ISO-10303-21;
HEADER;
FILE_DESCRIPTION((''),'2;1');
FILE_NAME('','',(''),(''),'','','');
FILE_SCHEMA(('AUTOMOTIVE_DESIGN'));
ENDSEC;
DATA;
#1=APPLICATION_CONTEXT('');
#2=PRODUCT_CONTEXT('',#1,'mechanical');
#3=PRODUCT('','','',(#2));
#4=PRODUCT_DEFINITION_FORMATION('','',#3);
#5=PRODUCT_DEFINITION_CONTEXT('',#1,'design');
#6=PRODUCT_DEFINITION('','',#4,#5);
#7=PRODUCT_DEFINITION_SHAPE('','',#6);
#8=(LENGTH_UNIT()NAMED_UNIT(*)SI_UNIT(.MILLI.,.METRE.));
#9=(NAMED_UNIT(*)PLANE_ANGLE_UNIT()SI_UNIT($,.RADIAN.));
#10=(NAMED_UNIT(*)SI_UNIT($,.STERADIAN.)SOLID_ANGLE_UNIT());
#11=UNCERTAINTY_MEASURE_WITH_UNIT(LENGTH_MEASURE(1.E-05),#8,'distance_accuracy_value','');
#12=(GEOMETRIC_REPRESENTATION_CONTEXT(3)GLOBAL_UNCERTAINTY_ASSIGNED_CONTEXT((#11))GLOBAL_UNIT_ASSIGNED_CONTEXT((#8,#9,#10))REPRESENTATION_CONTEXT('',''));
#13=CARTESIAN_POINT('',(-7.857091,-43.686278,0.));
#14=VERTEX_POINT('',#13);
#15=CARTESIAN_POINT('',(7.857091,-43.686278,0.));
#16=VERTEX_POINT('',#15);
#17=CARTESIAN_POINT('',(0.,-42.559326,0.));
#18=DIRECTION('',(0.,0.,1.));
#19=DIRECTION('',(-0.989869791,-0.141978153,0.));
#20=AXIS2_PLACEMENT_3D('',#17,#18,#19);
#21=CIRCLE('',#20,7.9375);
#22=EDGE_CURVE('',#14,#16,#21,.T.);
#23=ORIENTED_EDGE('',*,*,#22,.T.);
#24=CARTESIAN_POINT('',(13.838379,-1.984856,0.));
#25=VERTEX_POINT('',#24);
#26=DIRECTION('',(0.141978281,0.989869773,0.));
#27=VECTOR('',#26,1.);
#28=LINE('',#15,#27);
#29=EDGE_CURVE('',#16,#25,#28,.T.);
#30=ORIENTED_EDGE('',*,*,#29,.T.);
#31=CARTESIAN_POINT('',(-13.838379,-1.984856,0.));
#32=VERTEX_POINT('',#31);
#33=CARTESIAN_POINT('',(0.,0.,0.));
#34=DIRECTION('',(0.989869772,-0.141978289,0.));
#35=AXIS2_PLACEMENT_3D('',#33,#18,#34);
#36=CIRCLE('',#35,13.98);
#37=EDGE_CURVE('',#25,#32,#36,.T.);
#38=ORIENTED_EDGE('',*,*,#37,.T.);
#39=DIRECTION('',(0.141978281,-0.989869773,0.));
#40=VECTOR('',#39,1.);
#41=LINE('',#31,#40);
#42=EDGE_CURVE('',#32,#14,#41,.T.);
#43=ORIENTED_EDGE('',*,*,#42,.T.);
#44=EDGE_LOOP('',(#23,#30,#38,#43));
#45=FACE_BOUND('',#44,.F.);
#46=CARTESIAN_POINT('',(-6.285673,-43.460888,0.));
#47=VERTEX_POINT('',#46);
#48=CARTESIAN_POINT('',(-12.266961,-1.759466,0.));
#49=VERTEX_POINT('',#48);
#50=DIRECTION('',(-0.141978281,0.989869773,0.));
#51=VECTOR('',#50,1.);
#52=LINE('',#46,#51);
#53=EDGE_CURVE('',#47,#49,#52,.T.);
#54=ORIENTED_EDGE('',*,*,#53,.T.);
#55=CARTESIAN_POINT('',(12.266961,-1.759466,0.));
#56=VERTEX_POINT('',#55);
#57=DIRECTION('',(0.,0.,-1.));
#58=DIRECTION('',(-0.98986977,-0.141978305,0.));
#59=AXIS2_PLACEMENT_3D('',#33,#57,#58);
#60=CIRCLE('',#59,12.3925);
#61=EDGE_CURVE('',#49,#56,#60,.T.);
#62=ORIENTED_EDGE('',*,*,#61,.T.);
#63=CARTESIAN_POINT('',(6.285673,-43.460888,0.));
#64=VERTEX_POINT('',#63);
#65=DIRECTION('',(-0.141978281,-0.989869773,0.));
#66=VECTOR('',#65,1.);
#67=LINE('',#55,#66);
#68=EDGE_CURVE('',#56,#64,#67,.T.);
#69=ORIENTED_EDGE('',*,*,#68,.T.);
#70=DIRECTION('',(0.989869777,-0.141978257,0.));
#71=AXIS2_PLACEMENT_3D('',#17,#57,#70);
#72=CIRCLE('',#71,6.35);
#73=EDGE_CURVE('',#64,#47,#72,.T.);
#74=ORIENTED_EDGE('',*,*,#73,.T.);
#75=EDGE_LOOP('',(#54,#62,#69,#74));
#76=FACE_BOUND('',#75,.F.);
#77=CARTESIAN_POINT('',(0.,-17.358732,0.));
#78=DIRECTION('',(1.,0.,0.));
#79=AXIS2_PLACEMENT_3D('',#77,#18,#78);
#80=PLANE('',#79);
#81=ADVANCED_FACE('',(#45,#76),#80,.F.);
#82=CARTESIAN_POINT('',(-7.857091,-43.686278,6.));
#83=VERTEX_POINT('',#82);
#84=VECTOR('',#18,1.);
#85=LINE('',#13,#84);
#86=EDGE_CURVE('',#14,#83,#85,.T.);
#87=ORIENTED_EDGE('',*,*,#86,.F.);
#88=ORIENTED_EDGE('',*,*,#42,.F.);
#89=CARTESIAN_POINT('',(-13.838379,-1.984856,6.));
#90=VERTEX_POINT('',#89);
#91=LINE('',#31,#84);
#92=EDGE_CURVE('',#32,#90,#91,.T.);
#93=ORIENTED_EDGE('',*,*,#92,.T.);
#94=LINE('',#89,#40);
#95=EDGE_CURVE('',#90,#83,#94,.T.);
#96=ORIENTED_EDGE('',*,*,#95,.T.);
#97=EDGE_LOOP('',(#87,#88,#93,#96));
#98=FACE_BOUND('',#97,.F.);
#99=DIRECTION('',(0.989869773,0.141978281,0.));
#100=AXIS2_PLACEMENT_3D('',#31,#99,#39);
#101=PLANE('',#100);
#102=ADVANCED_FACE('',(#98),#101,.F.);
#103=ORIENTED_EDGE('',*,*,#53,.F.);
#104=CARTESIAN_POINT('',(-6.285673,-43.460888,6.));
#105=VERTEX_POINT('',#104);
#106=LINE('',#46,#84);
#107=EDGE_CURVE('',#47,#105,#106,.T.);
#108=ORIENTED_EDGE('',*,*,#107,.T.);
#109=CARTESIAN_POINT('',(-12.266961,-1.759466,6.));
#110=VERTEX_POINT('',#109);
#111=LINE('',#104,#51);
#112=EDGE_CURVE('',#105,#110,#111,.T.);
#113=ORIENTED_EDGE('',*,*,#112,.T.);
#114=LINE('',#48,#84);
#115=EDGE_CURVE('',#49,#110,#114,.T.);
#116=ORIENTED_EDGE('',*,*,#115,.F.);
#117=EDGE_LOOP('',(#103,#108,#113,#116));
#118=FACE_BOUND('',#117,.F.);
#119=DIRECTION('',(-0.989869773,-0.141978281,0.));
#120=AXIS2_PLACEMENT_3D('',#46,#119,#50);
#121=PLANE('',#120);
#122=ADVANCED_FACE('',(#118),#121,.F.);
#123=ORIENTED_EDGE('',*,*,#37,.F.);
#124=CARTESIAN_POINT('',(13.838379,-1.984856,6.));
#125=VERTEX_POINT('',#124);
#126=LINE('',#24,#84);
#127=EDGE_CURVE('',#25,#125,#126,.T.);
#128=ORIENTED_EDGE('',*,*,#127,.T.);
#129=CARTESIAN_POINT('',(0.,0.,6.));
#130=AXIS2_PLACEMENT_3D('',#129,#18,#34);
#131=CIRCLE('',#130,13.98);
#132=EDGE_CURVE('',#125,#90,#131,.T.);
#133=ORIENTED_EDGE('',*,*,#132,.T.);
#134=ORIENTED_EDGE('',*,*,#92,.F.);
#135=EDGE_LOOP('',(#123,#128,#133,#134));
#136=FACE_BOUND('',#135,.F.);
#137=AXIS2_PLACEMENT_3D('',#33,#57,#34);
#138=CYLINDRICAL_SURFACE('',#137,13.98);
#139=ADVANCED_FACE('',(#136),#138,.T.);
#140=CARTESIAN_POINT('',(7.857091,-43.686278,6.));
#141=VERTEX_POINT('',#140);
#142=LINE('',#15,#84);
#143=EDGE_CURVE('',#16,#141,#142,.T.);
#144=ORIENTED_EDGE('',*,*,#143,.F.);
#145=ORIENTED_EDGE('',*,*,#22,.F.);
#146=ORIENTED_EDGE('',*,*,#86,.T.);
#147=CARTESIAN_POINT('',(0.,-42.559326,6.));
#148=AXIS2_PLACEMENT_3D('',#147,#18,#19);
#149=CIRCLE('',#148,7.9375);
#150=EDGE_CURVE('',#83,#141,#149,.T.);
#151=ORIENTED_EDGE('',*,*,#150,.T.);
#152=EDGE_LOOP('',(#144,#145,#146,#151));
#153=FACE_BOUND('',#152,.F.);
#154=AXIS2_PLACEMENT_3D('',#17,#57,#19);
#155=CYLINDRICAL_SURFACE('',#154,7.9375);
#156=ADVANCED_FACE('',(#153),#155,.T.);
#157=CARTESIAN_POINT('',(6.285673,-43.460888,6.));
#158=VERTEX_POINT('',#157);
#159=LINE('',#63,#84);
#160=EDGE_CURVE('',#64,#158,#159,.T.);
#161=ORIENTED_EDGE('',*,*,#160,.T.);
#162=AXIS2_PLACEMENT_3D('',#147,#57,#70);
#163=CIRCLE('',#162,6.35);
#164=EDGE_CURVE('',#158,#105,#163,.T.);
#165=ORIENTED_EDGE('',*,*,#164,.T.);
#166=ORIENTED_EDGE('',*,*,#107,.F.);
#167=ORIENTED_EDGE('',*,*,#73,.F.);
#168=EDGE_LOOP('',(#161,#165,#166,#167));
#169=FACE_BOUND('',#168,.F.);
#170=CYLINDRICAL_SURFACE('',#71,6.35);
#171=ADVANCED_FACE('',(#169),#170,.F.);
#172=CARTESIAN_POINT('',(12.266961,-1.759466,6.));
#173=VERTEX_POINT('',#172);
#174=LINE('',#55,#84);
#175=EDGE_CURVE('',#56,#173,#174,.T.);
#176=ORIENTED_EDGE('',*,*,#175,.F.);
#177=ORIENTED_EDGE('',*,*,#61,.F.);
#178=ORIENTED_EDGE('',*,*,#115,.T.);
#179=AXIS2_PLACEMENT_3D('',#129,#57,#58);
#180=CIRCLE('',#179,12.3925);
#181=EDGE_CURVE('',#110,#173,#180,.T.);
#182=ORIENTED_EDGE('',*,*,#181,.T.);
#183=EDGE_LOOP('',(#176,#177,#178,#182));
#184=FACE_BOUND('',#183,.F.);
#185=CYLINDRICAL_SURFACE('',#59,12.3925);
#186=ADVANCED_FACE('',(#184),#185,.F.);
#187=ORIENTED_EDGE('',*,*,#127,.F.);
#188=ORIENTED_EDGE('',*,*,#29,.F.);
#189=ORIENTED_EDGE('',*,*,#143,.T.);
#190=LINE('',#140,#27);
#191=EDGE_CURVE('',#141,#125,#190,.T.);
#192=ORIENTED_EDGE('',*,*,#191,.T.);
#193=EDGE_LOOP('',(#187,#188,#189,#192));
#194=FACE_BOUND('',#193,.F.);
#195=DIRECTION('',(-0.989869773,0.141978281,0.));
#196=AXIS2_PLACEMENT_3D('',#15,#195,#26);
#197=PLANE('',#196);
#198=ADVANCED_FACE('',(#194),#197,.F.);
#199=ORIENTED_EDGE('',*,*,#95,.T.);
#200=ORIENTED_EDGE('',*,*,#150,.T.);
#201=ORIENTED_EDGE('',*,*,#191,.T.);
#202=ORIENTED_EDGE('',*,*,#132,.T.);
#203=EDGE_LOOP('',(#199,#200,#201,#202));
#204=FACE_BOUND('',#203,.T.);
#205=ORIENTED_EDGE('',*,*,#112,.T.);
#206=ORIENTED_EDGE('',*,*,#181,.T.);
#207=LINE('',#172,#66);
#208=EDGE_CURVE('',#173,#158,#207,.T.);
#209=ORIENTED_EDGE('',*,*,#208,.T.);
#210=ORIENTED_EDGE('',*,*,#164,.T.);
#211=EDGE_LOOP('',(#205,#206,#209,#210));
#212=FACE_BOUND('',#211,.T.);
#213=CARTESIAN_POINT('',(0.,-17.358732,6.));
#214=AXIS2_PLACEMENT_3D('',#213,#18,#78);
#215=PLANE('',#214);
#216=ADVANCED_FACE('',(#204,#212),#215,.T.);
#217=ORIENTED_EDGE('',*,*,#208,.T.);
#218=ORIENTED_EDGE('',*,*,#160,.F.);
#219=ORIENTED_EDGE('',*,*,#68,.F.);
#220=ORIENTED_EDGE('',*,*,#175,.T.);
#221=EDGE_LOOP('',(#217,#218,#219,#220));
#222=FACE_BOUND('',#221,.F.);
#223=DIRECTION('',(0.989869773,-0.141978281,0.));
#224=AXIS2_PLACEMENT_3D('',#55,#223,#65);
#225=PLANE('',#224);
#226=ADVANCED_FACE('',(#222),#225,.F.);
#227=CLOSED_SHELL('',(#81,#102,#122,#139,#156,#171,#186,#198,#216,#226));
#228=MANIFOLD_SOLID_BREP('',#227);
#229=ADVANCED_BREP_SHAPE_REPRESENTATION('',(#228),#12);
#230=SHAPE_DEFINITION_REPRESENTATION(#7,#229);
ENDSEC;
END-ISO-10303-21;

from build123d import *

# Parameters (mm, degrees)
F1_DEPTH = 6


with BuildPart() as f1:
    # F0 (on Top) → F1 (new body)
    with BuildSketch(Plane.XY):
        with BuildLine():
            ThreePointArc((12.266961, -1.759466), (0, 12.3925), (-12.266961, -1.759466))
            Line((-12.266961, -1.759466), (-6.285673, -43.460888))
            ThreePointArc((-6.285673, -43.460888), (0, -48.909326), (6.285673, -43.460888))
            Line((6.285673, -43.460888), (12.266961, -1.759466))
        make_face()
        with BuildLine():
            ThreePointArc((13.838379, -1.984856), (0, 13.98), (-13.838379, -1.984856))
            Line((-13.838379, -1.984856), (-7.857091, -43.686278))
            ThreePointArc((-7.857091, -43.686278), (0, -50.496826), (7.857091, -43.686278))
            Line((7.857091, -43.686278), (13.838379, -1.984856))
        make_face()
        with BuildLine():
            Line((-6.285673, -43.460888), (-12.266961, -1.759466))
            ThreePointArc((-12.266961, -1.759466), (0, 12.3925), (12.266961, -1.759466))
            Line((12.266961, -1.759466), (6.285673, -43.460888))
            ThreePointArc((6.285673, -43.460888), (0, -48.909326), (-6.285673, -43.460888))
        make_face(mode=Mode.SUBTRACT)
    extrude(amount=F1_DEPTH)


solid = f1.part
